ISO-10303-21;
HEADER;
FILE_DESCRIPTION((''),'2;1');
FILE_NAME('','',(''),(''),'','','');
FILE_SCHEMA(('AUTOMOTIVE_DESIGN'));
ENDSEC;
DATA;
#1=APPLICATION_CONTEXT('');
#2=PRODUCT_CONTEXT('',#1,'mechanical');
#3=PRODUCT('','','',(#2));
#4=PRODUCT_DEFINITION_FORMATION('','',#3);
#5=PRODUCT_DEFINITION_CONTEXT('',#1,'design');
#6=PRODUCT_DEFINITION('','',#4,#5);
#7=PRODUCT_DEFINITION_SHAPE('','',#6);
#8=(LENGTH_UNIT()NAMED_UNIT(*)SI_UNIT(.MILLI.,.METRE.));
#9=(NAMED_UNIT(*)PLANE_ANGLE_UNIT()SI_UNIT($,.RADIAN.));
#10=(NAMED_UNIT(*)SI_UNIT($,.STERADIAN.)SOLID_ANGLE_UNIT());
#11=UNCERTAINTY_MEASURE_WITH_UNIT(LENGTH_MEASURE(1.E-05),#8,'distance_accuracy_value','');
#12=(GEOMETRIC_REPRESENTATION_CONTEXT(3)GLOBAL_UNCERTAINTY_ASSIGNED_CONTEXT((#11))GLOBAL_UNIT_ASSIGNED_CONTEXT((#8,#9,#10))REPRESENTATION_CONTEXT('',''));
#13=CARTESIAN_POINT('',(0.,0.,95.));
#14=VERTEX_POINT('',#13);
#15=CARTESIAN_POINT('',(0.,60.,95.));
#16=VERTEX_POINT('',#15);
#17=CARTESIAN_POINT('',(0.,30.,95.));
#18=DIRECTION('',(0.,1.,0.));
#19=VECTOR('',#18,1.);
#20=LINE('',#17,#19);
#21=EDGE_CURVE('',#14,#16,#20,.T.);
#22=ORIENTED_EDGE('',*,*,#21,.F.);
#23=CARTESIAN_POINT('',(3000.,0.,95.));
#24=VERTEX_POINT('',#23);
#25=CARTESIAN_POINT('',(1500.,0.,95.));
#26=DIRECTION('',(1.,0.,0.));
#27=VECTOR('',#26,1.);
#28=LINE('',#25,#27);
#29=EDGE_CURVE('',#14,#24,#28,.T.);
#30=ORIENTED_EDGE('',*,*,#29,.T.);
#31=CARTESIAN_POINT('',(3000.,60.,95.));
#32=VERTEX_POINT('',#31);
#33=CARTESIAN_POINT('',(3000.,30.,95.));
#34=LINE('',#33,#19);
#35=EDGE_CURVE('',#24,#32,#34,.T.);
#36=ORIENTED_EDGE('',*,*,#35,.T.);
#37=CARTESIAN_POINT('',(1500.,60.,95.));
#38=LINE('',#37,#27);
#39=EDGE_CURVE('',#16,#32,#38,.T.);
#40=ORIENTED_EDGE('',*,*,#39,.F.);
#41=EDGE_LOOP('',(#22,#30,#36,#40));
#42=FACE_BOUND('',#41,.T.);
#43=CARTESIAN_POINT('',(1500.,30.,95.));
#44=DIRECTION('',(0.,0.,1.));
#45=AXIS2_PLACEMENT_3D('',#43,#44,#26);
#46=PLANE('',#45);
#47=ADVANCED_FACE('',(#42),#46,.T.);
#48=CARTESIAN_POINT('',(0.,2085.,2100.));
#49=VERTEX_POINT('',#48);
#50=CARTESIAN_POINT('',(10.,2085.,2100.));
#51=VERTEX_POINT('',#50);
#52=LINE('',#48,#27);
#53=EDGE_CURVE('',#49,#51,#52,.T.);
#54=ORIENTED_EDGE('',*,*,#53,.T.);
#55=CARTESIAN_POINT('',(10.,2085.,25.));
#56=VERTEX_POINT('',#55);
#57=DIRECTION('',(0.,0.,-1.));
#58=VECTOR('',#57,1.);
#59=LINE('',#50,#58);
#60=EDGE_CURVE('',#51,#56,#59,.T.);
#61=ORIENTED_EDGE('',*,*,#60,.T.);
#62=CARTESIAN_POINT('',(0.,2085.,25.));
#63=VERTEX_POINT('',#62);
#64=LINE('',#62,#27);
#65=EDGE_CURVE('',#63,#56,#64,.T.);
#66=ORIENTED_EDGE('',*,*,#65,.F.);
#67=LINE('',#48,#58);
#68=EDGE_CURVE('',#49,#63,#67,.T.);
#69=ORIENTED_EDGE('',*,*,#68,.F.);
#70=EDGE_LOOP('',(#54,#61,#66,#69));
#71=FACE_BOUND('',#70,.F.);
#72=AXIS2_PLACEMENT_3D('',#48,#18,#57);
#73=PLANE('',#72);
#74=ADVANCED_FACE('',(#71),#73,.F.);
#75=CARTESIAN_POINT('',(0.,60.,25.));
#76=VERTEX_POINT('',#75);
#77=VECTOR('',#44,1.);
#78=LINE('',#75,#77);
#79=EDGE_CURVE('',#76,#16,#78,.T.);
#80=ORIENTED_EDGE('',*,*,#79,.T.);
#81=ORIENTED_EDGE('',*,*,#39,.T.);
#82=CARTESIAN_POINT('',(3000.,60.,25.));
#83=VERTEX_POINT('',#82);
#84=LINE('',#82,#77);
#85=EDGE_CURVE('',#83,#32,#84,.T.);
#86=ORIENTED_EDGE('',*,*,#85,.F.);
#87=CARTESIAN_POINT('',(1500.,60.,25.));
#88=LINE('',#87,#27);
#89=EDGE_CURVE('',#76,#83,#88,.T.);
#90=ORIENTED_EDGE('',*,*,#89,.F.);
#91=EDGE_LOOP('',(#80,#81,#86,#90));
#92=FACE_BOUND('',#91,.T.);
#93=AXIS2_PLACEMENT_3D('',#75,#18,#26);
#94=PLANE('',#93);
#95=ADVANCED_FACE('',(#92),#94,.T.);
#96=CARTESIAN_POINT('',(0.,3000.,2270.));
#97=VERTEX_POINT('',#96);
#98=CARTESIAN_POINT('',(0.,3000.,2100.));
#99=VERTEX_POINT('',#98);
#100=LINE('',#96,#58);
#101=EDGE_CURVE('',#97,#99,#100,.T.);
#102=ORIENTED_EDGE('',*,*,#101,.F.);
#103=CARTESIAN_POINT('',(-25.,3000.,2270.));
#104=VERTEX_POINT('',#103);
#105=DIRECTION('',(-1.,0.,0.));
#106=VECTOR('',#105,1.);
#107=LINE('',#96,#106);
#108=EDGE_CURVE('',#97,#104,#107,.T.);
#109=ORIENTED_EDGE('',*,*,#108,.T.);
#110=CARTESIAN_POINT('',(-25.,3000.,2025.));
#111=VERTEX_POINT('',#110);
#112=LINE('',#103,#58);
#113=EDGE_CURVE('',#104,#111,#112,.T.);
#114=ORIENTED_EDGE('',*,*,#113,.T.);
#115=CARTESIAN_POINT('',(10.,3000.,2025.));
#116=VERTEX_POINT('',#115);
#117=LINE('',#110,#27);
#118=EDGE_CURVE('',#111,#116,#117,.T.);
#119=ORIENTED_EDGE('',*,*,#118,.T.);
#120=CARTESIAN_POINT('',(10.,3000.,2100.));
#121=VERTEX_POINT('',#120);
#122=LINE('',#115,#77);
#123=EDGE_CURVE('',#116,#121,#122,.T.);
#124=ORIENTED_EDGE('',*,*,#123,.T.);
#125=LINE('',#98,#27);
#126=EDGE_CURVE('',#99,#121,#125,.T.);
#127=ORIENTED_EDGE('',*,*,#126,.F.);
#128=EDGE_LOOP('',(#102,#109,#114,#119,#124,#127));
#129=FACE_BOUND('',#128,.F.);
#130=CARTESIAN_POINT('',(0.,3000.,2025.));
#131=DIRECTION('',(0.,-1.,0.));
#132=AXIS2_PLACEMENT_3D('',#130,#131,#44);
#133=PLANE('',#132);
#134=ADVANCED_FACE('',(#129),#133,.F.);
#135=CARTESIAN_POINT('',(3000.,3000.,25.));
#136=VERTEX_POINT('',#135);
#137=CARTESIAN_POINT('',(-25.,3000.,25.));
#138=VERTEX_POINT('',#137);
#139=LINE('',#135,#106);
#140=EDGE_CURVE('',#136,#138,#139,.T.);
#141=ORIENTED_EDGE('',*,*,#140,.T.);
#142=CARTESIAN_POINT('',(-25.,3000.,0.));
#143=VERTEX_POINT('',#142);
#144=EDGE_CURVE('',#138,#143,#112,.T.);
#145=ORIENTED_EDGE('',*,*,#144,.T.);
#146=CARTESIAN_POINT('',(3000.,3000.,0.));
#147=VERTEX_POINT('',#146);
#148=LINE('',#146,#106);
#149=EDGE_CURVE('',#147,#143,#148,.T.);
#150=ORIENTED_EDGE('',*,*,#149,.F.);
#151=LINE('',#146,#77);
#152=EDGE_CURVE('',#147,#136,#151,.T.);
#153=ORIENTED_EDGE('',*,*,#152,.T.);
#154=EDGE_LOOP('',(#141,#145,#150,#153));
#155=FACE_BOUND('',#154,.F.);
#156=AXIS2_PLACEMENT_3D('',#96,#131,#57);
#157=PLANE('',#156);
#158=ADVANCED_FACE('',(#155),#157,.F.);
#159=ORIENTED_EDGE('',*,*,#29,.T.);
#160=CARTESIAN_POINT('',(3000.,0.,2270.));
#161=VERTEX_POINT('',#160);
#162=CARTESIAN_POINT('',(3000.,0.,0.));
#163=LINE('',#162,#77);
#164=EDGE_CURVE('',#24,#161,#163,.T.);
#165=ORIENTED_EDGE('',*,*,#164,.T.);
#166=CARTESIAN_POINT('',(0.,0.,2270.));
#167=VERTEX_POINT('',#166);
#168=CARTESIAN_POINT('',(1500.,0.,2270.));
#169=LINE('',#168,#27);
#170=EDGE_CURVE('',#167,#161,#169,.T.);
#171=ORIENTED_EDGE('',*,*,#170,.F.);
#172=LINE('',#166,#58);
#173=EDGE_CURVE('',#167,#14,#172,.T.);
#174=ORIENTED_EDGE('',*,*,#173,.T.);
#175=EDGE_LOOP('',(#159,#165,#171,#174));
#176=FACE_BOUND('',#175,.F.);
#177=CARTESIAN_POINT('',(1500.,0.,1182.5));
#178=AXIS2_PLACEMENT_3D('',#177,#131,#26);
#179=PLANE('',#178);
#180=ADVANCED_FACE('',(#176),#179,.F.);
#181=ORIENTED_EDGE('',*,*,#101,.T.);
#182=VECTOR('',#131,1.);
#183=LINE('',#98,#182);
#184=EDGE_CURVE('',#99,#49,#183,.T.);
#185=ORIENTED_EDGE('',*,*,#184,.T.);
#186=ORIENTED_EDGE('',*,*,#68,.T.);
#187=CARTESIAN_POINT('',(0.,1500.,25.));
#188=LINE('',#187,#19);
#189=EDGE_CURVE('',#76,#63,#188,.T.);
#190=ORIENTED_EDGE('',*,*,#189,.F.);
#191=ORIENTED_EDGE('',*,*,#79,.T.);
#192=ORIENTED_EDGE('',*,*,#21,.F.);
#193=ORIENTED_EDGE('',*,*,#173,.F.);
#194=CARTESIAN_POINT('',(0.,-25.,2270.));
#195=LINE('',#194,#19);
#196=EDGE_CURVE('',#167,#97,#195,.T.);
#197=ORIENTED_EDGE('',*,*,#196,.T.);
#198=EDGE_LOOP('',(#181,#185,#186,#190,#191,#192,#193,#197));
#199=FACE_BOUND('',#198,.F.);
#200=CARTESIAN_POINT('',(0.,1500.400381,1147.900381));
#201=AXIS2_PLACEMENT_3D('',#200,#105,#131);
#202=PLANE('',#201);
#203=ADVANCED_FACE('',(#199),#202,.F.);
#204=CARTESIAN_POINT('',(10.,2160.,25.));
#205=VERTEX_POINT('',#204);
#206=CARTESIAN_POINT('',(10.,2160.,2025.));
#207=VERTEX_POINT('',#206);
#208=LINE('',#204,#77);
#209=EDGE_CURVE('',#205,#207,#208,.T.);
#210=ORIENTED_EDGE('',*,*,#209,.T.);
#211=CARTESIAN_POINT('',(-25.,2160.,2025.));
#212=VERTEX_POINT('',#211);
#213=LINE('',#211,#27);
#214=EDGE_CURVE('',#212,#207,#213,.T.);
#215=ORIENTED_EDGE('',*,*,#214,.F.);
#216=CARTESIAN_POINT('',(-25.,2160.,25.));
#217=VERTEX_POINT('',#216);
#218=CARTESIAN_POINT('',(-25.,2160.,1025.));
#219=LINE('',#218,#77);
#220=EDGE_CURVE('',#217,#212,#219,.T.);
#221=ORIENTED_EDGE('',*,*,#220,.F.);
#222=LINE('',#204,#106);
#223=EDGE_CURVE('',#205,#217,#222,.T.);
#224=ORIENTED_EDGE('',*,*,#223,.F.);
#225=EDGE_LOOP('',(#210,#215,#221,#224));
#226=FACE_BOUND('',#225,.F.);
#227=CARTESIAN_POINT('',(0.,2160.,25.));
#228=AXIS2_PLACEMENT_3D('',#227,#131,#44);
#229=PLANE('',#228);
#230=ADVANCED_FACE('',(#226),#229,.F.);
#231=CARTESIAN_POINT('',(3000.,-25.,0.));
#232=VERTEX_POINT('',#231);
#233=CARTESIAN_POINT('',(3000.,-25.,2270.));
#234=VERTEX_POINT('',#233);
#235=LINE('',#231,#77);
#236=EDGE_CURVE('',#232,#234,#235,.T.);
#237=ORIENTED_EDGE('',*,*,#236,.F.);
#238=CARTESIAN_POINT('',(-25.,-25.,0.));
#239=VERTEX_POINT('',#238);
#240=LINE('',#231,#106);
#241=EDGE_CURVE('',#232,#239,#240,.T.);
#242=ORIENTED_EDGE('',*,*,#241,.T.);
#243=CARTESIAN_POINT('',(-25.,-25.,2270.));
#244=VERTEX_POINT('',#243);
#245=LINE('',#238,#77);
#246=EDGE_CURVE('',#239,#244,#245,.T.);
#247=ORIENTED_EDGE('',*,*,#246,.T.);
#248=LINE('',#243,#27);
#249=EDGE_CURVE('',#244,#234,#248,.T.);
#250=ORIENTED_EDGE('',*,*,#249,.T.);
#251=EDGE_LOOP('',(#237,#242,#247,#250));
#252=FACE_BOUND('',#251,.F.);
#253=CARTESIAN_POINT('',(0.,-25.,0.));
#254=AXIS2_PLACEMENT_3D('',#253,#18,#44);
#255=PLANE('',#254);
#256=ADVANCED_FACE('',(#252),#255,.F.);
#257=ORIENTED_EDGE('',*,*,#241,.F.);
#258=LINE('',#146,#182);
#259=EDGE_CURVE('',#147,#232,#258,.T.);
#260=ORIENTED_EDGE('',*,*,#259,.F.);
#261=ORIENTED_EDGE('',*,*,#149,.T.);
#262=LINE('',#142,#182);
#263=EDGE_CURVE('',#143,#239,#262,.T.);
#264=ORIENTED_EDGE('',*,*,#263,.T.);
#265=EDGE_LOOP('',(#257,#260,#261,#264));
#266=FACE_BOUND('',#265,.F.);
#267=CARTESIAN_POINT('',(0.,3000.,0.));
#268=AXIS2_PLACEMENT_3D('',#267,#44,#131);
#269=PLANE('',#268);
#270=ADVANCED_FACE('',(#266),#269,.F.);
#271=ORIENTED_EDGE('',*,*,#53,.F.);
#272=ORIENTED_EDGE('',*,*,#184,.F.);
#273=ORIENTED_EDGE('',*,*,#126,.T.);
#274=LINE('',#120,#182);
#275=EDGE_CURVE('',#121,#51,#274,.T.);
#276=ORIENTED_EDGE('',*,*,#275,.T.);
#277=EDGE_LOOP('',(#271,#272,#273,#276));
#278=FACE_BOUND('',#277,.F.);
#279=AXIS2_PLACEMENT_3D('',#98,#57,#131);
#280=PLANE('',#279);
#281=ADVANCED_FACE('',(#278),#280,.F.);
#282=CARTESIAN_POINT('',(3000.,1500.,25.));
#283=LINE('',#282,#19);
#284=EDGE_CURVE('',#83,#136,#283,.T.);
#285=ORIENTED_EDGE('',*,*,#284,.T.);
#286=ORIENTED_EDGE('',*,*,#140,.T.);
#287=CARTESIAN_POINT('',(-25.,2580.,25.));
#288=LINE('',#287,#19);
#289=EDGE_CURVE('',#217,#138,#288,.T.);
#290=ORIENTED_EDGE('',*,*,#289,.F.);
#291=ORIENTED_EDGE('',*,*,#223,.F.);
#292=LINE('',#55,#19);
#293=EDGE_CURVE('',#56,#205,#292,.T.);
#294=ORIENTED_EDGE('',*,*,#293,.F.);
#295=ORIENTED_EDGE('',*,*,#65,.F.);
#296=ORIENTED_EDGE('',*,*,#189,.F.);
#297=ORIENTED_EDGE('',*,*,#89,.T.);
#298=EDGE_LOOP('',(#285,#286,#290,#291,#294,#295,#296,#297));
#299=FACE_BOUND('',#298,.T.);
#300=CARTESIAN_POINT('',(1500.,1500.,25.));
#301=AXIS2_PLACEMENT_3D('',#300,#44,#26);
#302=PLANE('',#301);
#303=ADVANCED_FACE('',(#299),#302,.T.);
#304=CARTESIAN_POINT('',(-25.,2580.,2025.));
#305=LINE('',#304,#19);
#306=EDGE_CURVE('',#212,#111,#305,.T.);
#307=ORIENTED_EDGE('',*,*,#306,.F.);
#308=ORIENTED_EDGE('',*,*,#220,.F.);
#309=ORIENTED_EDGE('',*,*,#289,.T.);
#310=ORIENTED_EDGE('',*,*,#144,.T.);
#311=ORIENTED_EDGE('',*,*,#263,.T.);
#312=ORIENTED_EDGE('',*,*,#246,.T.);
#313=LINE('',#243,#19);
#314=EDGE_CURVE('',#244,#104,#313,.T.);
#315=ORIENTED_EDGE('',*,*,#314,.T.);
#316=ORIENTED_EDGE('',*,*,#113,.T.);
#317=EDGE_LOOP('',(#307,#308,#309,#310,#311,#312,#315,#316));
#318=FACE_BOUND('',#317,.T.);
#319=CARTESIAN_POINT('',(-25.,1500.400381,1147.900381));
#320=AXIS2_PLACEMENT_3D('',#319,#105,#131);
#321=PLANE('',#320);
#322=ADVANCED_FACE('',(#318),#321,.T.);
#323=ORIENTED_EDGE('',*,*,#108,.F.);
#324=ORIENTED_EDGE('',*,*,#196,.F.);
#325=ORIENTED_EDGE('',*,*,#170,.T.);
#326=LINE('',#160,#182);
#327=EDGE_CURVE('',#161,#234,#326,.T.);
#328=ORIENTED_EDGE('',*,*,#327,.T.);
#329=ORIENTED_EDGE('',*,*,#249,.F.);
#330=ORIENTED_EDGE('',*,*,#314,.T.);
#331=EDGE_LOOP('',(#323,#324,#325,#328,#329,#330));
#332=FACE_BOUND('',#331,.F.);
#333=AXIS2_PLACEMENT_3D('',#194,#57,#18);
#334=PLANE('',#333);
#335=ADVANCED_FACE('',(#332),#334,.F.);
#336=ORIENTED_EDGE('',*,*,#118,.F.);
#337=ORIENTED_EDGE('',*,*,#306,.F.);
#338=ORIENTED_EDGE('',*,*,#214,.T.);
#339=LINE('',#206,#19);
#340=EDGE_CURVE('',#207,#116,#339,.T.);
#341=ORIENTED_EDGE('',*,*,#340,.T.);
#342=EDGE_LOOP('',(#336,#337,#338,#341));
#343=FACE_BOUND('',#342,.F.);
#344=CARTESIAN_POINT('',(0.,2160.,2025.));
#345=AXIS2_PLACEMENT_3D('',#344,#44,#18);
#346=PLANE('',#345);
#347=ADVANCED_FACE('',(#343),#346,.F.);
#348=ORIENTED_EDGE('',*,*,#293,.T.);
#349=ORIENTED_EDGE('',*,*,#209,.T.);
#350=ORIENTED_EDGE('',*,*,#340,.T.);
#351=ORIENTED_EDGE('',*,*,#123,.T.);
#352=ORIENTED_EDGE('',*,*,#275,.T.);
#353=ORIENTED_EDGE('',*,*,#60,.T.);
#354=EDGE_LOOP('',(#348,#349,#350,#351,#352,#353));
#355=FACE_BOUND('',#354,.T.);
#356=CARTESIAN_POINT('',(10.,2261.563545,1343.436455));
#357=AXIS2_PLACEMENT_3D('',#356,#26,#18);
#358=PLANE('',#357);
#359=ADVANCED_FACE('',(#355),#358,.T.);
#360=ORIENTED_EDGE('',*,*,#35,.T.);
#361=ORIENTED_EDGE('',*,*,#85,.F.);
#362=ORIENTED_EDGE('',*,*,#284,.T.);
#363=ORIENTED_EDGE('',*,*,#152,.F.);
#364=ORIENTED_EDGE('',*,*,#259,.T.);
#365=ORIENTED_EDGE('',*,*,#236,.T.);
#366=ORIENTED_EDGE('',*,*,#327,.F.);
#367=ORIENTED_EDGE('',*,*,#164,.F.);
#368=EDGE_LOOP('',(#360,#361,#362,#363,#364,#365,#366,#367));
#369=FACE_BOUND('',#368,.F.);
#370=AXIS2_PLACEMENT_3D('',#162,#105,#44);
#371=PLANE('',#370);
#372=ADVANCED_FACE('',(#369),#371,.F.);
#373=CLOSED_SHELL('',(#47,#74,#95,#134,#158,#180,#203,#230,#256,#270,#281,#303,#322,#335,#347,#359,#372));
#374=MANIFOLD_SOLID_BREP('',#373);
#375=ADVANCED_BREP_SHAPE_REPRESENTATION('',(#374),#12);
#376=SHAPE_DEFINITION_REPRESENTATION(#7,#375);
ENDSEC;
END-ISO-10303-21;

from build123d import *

# Parameters (mm, degrees)
F0_W      = 3000
F0_H      = 3000
F1_DEPTH  = 25
F2_W      = 3000
F2_H      = 60
F3_DEPTH  = 70
F4_W      = 3000
F4_H      = 2175
F4_H_2    = 95
F5_DEPTH  = 25
F7_DEPTH  = 25
F8_W      = 840
F8_H      = 2000
F9_DEPTH  = 25
F10_DEPTH = 10


with BuildPart() as f1:
    # F0 (on Top) → F1 (new body)
    with BuildSketch(Plane.XY):
        with Locations((1500, 1500)):
            Rectangle(F0_W, F0_H)
    extrude(amount=F1_DEPTH)

    # F2 (on face) → F3 (join)
    with BuildSketch(Plane.XY.offset(25)):
        with Locations((1500, 30)):
            Rectangle(F2_W, F2_H)
    extrude(amount=F3_DEPTH)

    # F4 (on face) → F5 (join)
    with BuildSketch(Plane.XZ):
        with Locations((1500, 1182.5)):
            Rectangle(F4_W, F4_H)
        with Locations((1500, 47.5)):
            Rectangle(F4_W, F4_H_2)
    extrude(amount=F5_DEPTH)

    # F6 (on face) → F7 (join)
    with BuildSketch(Plane(origin=(0, 0, 0), x_dir=(0, -1, 0), z_dir=(-1, 0, 0))):
        Polygon((-3000, 2270), (-3000, 25), (-60, 25), (-60, 95), (0, 95), (0, 2270), align=None)
        Polygon((-3000, 0), (25, 0), (25, 2270), (0, 2270), (0, 95), (-60, 95), (-60, 25), (-3000, 25), align=None)
    extrude(amount=F7_DEPTH)

    # F8 (on face) → F9 (cut)
    with BuildSketch(Plane.YZ):
        with Locations((2580, 1025)):
            Rectangle(F8_W, F8_H)
    extrude(amount=-F9_DEPTH, mode=Mode.SUBTRACT)

    # F8 (on face) → F10 (join)
    with BuildSketch(Plane.YZ):
        Polygon((2085, 25), (2160, 25), (2160, 2025), (3000, 2025), (3000, 2100), (2085, 2100), align=None)
    extrude(amount=F10_DEPTH)


solid = f1.part
